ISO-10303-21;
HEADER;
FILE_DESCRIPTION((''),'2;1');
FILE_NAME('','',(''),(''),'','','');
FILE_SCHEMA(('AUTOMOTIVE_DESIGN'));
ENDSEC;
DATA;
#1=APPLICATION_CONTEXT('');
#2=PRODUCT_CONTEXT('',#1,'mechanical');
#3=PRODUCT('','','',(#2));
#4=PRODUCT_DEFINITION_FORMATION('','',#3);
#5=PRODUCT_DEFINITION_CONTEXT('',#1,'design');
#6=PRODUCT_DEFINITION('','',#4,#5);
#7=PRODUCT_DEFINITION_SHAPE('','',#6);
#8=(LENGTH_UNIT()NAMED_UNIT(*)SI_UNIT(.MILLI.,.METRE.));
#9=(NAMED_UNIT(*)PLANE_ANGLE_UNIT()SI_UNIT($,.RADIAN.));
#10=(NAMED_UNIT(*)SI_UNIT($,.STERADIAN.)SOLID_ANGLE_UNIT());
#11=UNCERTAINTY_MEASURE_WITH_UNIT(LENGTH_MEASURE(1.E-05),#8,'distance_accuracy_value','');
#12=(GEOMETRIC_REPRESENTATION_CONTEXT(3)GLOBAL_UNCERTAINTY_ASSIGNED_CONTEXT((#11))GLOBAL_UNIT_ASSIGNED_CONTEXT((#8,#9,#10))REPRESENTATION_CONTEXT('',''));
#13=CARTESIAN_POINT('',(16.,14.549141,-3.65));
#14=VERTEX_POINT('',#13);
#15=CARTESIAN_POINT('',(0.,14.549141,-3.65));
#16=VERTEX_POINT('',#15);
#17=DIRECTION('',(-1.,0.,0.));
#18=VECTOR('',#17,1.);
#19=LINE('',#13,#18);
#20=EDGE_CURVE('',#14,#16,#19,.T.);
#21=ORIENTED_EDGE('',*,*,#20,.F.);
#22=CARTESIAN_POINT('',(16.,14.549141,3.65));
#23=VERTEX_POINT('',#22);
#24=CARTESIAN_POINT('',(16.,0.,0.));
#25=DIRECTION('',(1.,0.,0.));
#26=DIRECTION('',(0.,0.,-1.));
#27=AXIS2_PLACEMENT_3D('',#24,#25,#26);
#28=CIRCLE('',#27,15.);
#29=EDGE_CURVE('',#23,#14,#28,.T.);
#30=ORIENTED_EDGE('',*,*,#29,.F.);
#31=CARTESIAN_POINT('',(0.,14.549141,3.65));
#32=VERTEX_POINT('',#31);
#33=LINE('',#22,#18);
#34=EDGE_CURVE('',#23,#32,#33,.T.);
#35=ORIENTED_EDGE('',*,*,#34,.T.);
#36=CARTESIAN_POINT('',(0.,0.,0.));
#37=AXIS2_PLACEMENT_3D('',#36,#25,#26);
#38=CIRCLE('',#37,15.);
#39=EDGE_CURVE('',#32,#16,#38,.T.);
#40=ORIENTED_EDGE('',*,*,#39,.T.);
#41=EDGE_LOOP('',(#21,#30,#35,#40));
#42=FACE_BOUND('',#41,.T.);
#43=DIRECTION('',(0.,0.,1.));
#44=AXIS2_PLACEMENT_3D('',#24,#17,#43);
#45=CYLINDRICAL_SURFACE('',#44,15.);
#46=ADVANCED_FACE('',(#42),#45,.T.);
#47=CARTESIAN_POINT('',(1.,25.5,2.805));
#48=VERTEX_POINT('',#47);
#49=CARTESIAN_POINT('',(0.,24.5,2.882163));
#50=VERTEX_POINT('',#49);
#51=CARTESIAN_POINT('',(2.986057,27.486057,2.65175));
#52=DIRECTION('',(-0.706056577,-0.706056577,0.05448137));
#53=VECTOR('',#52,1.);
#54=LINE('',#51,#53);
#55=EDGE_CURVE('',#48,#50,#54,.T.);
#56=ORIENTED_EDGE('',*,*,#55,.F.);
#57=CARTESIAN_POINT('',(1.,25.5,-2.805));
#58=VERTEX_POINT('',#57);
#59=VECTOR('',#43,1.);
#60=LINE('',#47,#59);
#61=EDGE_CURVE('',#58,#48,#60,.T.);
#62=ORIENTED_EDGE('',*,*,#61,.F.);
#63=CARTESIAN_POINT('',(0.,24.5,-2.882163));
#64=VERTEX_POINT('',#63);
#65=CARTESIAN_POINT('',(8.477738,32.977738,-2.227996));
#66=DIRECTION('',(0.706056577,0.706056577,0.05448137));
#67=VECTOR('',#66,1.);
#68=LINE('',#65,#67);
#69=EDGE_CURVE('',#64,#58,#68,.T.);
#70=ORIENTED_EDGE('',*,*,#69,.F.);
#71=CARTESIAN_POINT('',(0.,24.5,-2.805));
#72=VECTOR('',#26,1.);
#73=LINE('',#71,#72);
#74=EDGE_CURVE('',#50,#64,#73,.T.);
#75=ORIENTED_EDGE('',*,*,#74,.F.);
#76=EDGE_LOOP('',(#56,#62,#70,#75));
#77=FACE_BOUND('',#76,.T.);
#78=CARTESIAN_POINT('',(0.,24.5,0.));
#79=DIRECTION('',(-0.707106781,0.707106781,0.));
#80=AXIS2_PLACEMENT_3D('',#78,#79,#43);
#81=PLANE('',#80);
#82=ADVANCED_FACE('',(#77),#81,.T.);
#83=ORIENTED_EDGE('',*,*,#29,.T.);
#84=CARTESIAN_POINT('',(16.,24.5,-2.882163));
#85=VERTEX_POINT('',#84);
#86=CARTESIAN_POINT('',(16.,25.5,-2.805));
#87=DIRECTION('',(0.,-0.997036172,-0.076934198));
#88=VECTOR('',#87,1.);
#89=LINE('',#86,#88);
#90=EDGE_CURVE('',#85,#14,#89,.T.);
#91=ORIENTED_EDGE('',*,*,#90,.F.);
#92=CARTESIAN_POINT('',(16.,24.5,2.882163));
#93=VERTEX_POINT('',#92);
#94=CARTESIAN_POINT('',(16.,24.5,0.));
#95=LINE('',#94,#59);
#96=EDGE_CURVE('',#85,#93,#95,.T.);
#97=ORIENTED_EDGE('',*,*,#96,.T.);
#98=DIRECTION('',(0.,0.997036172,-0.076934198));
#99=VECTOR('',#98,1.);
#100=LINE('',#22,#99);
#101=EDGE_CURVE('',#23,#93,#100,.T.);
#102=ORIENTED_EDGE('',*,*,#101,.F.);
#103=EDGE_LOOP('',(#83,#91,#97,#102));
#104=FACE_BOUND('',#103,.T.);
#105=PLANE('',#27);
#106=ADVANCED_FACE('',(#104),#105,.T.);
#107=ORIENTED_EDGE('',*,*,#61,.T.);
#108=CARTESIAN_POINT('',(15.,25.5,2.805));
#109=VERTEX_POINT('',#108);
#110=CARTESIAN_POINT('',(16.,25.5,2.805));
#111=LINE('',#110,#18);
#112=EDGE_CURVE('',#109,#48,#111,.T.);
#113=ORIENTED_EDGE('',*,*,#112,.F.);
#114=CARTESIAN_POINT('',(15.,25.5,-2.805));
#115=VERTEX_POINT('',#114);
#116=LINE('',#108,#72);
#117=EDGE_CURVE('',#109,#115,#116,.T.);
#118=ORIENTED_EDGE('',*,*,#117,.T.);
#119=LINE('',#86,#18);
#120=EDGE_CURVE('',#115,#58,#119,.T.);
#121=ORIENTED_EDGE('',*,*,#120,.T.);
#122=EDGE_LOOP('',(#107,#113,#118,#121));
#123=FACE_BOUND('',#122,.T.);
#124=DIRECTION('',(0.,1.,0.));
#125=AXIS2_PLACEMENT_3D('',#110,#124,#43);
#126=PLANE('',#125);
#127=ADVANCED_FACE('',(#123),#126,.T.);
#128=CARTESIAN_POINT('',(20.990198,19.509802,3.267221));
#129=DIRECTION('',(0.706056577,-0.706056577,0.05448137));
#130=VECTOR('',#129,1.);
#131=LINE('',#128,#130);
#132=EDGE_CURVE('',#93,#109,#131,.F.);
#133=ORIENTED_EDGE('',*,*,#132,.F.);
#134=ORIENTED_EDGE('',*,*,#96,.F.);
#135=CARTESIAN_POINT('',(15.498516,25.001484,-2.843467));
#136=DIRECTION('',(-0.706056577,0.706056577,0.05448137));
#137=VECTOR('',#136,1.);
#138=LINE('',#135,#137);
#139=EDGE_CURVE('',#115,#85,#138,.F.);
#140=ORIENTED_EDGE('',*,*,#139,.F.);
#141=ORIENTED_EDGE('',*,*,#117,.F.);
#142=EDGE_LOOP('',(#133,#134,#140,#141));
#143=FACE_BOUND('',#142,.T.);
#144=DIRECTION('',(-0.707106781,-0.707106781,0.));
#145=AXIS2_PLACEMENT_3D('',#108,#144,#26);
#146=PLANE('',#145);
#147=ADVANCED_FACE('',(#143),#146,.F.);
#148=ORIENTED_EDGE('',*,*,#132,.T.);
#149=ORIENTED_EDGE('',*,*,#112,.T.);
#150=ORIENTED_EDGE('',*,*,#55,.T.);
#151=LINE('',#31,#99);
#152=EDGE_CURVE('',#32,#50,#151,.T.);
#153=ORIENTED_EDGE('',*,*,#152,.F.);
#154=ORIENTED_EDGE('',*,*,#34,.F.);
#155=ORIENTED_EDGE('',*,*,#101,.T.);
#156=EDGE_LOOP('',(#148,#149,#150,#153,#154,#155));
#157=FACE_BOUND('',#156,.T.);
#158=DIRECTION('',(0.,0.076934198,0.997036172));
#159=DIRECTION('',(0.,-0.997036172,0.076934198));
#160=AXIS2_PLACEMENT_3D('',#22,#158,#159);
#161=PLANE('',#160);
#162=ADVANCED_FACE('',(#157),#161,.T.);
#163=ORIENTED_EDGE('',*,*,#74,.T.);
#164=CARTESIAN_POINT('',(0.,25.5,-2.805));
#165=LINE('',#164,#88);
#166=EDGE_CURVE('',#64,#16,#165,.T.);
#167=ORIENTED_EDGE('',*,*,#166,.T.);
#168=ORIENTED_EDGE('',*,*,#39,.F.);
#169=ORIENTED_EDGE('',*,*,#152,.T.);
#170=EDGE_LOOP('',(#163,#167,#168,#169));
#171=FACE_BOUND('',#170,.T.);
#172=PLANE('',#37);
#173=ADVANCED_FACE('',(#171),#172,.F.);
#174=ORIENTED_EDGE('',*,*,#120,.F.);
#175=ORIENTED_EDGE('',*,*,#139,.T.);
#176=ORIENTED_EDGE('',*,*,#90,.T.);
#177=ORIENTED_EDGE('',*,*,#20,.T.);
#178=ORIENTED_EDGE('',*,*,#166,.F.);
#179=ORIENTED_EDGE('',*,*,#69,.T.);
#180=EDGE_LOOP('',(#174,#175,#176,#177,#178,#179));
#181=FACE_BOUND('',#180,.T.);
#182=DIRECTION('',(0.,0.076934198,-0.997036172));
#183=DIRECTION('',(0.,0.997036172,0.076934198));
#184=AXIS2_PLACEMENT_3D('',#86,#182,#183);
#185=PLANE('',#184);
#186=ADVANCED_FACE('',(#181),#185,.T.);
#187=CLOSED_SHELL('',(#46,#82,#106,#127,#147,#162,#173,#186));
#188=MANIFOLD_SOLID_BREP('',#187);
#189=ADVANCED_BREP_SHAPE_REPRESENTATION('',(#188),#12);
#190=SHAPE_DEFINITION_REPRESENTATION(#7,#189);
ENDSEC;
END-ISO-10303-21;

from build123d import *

# Parameters (mm, degrees)
BOSS_EXTRUDE1_DEPTH = 16
CHAMFER1_SIZE       = 1


with BuildPart() as part:
    # Sketch1 → Boss-Extrude1 (new body)
    with BuildSketch(Plane(origin=(0, 0, 0), x_dir=(0, 0, -1), z_dir=(1, 0, 0))):
        with BuildLine():
            Line((-3.65, 14.549140868), (-2.805, 25.5))
            Line((-2.805, 25.5), (2.805, 25.5))
            Line((2.805, 25.5), (3.65, 14.549140868))
            ThreePointArc((3.65, 14.549140868), (0, -15), (-3.65, 14.549140868))
        make_face()
    extrude(amount=BOSS_EXTRUDE1_DEPTH)

    # Chamfer1
    chamfer1_edges = [part.edges().sort_by_distance(p)[0] for p in [
        (0, 25.5, 0),
        (16, 25.5, 0),
    ]]
    chamfer(chamfer1_edges, length=CHAMFER1_SIZE)


solid = part.part
